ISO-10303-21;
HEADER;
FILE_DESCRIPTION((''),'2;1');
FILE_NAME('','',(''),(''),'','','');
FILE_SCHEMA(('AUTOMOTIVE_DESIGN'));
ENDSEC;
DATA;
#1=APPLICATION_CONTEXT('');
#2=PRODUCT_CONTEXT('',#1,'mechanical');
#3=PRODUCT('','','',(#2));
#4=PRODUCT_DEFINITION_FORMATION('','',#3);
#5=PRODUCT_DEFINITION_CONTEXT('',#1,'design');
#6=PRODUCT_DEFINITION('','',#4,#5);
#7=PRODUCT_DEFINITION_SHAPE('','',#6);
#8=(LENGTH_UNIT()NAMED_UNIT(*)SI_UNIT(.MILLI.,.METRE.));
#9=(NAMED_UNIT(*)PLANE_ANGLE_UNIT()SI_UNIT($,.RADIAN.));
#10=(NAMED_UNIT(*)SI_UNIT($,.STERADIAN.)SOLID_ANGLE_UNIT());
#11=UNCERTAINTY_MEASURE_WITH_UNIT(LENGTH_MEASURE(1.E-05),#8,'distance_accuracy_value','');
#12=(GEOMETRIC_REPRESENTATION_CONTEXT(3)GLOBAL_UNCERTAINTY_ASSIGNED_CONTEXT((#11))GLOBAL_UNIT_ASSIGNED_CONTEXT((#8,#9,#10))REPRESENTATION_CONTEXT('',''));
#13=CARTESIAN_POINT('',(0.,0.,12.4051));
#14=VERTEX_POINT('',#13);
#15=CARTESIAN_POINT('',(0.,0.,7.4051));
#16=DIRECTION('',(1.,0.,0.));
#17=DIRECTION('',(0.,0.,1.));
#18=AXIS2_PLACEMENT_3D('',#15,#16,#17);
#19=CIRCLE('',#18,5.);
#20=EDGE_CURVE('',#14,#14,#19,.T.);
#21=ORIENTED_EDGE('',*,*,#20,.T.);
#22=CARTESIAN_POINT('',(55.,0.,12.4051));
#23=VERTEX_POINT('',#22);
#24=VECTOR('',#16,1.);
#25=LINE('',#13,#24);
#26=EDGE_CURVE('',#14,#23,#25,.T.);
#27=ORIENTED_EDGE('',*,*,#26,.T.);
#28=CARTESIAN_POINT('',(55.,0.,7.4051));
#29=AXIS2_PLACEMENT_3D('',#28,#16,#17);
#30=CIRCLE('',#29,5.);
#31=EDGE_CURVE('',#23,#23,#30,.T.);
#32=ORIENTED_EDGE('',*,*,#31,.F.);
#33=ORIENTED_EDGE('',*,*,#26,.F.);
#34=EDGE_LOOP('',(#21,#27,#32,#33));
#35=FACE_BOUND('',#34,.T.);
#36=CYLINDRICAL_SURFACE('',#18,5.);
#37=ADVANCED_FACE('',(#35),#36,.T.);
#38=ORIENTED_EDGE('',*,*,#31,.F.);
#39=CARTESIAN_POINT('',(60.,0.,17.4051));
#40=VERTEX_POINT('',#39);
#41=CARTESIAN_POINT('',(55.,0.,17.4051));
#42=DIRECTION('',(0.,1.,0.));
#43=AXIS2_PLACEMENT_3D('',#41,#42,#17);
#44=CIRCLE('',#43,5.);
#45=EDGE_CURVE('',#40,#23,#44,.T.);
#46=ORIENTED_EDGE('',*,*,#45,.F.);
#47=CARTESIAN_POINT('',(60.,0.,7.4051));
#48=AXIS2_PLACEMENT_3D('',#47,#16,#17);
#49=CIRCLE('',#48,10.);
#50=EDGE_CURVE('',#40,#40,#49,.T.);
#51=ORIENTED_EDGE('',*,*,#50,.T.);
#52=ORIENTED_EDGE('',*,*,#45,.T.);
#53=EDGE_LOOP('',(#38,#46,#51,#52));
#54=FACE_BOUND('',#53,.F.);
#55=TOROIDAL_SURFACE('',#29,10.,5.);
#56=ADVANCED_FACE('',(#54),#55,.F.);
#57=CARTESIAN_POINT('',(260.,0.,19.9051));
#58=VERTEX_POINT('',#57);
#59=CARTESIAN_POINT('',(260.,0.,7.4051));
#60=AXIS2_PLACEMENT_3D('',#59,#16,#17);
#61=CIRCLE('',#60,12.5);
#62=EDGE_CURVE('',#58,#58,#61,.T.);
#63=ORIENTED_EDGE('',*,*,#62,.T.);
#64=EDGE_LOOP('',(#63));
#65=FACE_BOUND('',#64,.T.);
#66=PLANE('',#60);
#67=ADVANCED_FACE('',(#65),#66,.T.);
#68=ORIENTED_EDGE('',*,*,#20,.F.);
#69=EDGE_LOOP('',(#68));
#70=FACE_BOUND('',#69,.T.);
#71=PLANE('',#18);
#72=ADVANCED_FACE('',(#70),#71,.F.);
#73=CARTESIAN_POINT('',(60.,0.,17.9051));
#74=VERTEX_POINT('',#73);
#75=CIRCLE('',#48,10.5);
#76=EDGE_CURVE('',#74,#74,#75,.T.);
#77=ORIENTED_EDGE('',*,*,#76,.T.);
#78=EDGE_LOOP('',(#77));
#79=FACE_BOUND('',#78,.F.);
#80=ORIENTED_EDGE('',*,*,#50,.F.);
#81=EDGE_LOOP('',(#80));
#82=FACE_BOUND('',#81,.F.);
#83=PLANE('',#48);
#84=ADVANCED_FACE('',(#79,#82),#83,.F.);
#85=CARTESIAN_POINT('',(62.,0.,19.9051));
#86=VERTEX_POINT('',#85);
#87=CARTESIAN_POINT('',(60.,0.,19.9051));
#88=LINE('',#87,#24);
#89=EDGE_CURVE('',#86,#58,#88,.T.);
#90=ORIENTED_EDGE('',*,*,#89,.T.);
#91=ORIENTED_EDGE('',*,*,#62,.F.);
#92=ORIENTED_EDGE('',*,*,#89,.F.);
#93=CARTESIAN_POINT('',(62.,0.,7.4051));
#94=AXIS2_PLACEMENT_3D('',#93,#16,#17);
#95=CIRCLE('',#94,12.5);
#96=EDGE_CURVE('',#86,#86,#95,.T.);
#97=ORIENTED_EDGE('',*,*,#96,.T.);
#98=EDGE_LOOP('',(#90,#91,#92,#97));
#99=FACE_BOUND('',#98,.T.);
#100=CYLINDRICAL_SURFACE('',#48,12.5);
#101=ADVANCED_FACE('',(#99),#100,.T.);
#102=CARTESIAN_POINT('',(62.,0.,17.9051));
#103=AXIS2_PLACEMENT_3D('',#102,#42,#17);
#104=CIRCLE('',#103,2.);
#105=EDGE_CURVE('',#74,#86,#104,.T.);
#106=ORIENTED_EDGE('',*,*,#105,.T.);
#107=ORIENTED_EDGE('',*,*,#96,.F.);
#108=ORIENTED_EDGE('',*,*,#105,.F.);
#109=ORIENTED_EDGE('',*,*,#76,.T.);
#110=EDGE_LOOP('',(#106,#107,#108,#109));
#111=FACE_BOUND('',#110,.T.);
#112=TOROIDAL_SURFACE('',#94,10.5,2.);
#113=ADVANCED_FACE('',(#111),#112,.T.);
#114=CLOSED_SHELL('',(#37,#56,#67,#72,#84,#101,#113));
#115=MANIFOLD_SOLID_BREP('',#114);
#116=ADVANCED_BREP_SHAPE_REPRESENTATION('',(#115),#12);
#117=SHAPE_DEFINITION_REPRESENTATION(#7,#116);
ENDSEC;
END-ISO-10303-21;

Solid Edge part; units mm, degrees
sketch "Sketch1" plane through (0, 0, 0) normal (0, -1, 0) x (1, 0, 0)
  line L0 (0, 7.4051) -> (260, 7.4051)
  line L1 (260, 19.9051) -> (260, 7.4051)
  line L2 (60, 19.9051) -> (260, 19.9051)
  line L3 (60, 19.9051) -> (60, 12.4051)
  line L4 (0, 12.4051) -> (60, 12.4051)
  line L5 (0, 7.4051) -> (0, 12.4051)
revolve "RevolvedProtrusion1" add sketch "Sketch1" angle 360 about axis through (0, 0, 7.4051) along (1, 0, 0)
cosmetic_thread "Rosca_1" size "M10" thread depth 20
fillet "Redondeo_1" radius 5 1 edges at (60, 0, 2.4051)
fillet "Redondeo_1" radius 2 1 edges at (60, 0, -5.0949)
